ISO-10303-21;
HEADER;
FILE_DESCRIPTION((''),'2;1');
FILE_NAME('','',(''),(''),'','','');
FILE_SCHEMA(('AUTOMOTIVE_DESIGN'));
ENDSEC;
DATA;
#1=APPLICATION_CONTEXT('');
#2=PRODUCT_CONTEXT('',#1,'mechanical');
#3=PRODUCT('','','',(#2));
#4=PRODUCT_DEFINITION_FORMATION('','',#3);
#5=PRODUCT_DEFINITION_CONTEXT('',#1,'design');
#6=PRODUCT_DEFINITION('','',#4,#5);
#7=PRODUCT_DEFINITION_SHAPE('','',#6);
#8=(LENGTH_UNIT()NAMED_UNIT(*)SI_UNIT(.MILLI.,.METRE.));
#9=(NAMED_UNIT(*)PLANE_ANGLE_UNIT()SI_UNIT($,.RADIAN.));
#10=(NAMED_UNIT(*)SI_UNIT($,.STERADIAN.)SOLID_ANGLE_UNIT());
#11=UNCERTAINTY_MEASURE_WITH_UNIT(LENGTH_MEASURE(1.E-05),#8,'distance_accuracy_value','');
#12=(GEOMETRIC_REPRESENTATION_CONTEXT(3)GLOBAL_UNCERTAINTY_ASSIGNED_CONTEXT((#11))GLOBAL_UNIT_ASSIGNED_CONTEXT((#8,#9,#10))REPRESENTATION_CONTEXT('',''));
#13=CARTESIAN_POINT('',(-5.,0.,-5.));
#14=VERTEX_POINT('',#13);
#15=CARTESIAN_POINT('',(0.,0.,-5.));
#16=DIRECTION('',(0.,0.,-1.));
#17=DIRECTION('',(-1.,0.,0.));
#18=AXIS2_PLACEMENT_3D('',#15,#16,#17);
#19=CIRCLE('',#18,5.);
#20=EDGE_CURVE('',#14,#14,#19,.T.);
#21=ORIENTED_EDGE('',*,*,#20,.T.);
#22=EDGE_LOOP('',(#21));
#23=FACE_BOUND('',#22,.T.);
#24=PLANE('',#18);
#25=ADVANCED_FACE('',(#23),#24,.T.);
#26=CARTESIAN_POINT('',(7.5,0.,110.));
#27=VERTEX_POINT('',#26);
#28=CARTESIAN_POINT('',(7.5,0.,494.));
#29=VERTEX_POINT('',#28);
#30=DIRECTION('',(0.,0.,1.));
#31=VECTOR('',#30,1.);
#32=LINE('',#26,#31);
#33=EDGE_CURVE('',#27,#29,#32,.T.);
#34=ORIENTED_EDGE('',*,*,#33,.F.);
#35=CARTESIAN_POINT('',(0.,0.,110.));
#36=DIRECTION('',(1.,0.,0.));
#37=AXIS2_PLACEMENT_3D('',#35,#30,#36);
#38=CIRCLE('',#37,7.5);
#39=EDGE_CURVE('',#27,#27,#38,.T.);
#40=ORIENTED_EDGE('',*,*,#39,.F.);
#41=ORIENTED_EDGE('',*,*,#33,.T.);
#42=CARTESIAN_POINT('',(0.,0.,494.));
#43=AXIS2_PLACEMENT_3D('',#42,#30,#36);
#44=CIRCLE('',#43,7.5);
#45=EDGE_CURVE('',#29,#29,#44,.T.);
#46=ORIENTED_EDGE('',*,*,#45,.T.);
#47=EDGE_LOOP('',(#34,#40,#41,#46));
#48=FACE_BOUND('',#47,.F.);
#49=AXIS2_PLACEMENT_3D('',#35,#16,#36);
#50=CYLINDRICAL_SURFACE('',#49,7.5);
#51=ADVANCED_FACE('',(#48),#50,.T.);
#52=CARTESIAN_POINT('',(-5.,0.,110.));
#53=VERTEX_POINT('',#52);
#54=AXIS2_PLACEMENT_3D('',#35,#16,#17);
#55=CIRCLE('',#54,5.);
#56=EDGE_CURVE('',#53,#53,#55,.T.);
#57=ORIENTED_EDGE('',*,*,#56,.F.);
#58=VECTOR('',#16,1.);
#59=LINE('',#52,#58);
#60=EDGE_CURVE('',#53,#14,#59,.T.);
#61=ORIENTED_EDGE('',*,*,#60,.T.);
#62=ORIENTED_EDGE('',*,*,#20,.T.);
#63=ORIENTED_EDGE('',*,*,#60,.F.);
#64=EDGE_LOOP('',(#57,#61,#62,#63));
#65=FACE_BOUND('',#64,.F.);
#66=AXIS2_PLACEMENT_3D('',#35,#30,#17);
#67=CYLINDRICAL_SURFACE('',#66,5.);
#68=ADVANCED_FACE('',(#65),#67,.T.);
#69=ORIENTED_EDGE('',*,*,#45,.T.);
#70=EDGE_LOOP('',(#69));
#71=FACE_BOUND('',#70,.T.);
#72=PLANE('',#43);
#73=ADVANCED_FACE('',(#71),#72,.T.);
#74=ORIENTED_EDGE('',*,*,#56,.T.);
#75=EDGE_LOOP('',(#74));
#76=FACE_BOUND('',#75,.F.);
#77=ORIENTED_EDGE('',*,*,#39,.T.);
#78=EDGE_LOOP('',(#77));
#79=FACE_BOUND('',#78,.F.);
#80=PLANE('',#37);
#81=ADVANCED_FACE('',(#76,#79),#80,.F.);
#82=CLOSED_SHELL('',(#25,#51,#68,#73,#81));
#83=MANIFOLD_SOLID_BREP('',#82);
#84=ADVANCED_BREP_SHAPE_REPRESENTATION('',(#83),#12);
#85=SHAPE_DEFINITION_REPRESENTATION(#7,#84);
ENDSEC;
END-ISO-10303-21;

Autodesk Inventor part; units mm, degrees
ref_plane "YZ Plane" through (0, 0, 0) normal (1, 0, 0) x (0, 1, 0)
ref_plane "XZ Plane" through (0, 0, 0) normal (0, 1, 0) x (-1, 0, 0)
ref_plane "XY Plane" through (0, 0, 0) normal (0, 0, 1) x (1, 0, 0)
sketch "Sketch1" plane through (0, 0, 0) normal (0, 0, 1) x (1, 0, 0)
  circle A0 centre (0, 0) radius 25
  dimension "d0" = 50
extrude "Extrusion1" add sketch "Sketch1" along normal blind 10
sketch "Sketch2" plane through (0, 0, 10) normal (0, 0, 1) x (1, 0, 0)
  circle A0 centre (0, 0) radius 6.5
  dimension "d3" = 13
extrude "Extrusion2" add sketch "Sketch2" along normal blind 100
fillet "Fillet1" radius 1 1 edges at (-6.5, 0, 10)
sketch "Sketch4" plane through (0, 0, 0) normal (0, 0, -1) x (-1, 0, 0)
  arc A0 (19.3649, 5) -> (5, 19.3649) centre (0, 0) ccw
  line L0 (2.5, 17.4284) -> (2.5, 9.4868)
  line L1 (9.4868, 2.5) -> (17.4284, 2.5)
  arc A1 (5, 19.3649) -> (2.5, 17.4284) centre (4.5, 17.4284) ccw
  arc A2 (17.4284, 2.5) -> (19.3649, 5) centre (17.4284, 4.5) ccw
  arc A3 (2.5, 8.3666) -> (2.5153, 8.1193) centre (4.5, 8.3666) ccw
  arc A4 (8.1193, 2.5153) -> (8.3666, 2.5) centre (8.3666, 4.5) ccw
  arc A5 (7.6798, 3.6429) -> (3.6429, 7.6798) centre (0, 0) ccw
  arc A6 (2.5, 9.4868) -> (3.6429, 7.6798) centre (4.5, 9.4868) ccw
  arc A7 (7.6798, 3.6429) -> (9.4868, 2.5) centre (9.4868, 4.5) ccw
  point P0 (2.5, 19.8431)
  point P1 (19.8431, 2.5)
  point P2 (2.5, 7.0711)
  point P3 (7.0711, 2.5)
extrude "Extrusion3" cut sketch "Sketch4" against normal blind 10
pattern_circular "Circular Pattern1" count 4 over 360 about axis through (0, 0, 11) along (0, 0, -1) of "Extrusion3"
sketch "Sketch7" plane through (0, 0, 110) normal (0, 0, 1) x (1, 0, 0)
  circle A0 centre (0, 0) radius 7.5
  dimension "d38" = 15
extrude "Extrusion5" add sketch "Sketch7" along normal blind 384
sketch "Sketch8" plane through (0, 0, 494) normal (0, 0, 1) x (1, 0, 0)
  circle A0 centre (0, 0) radius 6.5
  dimension "d41" = 13
extrude "Extrusion6" add sketch "Sketch8" along normal blind 10
sketch "Sketch9" plane through (0, 0, 504) normal (0, 0, 1) x (1, 0, 0)
  circle A0 centre (0, 0) radius 10
  dimension "d44" = 20
extrude "Extrusion7" add sketch "Sketch9" along normal blind 2.5
thread "Thread1" size "M15x1.5" class "6g" standard "ANSI Metric M Profile" length 417
sketch "Sketch10" plane through (0, 0, 506.5) normal (0, 0, 1) x (1, 0, 0)
  circle A0 centre (0, 0) radius 10
extrude "Extrusion8" cut sketch "Sketch10" against normal blind 12.5
sketch "Sketch11" plane through (0, 0, 0) normal (0, 0, -1) x (-1, 0, 0)
  circle A0 centre (0, 0) radius 25 projected
  circle A1 centre (0, 0) radius 25
extrude "Extrusion9" cut sketch "Sketch11" against normal blind 110
sketch "Sketch12" plane through (0, 0, 110) normal (0, 0, -1) x (-1, 0, 0)
  circle A0 centre (0, 0) radius 5
  dimension "d53" = 10
extrude "Extrusion10" add sketch "Sketch12" along normal blind 115
properties part number "leadscrew_latest_Y" material "Steel, Alloy"
